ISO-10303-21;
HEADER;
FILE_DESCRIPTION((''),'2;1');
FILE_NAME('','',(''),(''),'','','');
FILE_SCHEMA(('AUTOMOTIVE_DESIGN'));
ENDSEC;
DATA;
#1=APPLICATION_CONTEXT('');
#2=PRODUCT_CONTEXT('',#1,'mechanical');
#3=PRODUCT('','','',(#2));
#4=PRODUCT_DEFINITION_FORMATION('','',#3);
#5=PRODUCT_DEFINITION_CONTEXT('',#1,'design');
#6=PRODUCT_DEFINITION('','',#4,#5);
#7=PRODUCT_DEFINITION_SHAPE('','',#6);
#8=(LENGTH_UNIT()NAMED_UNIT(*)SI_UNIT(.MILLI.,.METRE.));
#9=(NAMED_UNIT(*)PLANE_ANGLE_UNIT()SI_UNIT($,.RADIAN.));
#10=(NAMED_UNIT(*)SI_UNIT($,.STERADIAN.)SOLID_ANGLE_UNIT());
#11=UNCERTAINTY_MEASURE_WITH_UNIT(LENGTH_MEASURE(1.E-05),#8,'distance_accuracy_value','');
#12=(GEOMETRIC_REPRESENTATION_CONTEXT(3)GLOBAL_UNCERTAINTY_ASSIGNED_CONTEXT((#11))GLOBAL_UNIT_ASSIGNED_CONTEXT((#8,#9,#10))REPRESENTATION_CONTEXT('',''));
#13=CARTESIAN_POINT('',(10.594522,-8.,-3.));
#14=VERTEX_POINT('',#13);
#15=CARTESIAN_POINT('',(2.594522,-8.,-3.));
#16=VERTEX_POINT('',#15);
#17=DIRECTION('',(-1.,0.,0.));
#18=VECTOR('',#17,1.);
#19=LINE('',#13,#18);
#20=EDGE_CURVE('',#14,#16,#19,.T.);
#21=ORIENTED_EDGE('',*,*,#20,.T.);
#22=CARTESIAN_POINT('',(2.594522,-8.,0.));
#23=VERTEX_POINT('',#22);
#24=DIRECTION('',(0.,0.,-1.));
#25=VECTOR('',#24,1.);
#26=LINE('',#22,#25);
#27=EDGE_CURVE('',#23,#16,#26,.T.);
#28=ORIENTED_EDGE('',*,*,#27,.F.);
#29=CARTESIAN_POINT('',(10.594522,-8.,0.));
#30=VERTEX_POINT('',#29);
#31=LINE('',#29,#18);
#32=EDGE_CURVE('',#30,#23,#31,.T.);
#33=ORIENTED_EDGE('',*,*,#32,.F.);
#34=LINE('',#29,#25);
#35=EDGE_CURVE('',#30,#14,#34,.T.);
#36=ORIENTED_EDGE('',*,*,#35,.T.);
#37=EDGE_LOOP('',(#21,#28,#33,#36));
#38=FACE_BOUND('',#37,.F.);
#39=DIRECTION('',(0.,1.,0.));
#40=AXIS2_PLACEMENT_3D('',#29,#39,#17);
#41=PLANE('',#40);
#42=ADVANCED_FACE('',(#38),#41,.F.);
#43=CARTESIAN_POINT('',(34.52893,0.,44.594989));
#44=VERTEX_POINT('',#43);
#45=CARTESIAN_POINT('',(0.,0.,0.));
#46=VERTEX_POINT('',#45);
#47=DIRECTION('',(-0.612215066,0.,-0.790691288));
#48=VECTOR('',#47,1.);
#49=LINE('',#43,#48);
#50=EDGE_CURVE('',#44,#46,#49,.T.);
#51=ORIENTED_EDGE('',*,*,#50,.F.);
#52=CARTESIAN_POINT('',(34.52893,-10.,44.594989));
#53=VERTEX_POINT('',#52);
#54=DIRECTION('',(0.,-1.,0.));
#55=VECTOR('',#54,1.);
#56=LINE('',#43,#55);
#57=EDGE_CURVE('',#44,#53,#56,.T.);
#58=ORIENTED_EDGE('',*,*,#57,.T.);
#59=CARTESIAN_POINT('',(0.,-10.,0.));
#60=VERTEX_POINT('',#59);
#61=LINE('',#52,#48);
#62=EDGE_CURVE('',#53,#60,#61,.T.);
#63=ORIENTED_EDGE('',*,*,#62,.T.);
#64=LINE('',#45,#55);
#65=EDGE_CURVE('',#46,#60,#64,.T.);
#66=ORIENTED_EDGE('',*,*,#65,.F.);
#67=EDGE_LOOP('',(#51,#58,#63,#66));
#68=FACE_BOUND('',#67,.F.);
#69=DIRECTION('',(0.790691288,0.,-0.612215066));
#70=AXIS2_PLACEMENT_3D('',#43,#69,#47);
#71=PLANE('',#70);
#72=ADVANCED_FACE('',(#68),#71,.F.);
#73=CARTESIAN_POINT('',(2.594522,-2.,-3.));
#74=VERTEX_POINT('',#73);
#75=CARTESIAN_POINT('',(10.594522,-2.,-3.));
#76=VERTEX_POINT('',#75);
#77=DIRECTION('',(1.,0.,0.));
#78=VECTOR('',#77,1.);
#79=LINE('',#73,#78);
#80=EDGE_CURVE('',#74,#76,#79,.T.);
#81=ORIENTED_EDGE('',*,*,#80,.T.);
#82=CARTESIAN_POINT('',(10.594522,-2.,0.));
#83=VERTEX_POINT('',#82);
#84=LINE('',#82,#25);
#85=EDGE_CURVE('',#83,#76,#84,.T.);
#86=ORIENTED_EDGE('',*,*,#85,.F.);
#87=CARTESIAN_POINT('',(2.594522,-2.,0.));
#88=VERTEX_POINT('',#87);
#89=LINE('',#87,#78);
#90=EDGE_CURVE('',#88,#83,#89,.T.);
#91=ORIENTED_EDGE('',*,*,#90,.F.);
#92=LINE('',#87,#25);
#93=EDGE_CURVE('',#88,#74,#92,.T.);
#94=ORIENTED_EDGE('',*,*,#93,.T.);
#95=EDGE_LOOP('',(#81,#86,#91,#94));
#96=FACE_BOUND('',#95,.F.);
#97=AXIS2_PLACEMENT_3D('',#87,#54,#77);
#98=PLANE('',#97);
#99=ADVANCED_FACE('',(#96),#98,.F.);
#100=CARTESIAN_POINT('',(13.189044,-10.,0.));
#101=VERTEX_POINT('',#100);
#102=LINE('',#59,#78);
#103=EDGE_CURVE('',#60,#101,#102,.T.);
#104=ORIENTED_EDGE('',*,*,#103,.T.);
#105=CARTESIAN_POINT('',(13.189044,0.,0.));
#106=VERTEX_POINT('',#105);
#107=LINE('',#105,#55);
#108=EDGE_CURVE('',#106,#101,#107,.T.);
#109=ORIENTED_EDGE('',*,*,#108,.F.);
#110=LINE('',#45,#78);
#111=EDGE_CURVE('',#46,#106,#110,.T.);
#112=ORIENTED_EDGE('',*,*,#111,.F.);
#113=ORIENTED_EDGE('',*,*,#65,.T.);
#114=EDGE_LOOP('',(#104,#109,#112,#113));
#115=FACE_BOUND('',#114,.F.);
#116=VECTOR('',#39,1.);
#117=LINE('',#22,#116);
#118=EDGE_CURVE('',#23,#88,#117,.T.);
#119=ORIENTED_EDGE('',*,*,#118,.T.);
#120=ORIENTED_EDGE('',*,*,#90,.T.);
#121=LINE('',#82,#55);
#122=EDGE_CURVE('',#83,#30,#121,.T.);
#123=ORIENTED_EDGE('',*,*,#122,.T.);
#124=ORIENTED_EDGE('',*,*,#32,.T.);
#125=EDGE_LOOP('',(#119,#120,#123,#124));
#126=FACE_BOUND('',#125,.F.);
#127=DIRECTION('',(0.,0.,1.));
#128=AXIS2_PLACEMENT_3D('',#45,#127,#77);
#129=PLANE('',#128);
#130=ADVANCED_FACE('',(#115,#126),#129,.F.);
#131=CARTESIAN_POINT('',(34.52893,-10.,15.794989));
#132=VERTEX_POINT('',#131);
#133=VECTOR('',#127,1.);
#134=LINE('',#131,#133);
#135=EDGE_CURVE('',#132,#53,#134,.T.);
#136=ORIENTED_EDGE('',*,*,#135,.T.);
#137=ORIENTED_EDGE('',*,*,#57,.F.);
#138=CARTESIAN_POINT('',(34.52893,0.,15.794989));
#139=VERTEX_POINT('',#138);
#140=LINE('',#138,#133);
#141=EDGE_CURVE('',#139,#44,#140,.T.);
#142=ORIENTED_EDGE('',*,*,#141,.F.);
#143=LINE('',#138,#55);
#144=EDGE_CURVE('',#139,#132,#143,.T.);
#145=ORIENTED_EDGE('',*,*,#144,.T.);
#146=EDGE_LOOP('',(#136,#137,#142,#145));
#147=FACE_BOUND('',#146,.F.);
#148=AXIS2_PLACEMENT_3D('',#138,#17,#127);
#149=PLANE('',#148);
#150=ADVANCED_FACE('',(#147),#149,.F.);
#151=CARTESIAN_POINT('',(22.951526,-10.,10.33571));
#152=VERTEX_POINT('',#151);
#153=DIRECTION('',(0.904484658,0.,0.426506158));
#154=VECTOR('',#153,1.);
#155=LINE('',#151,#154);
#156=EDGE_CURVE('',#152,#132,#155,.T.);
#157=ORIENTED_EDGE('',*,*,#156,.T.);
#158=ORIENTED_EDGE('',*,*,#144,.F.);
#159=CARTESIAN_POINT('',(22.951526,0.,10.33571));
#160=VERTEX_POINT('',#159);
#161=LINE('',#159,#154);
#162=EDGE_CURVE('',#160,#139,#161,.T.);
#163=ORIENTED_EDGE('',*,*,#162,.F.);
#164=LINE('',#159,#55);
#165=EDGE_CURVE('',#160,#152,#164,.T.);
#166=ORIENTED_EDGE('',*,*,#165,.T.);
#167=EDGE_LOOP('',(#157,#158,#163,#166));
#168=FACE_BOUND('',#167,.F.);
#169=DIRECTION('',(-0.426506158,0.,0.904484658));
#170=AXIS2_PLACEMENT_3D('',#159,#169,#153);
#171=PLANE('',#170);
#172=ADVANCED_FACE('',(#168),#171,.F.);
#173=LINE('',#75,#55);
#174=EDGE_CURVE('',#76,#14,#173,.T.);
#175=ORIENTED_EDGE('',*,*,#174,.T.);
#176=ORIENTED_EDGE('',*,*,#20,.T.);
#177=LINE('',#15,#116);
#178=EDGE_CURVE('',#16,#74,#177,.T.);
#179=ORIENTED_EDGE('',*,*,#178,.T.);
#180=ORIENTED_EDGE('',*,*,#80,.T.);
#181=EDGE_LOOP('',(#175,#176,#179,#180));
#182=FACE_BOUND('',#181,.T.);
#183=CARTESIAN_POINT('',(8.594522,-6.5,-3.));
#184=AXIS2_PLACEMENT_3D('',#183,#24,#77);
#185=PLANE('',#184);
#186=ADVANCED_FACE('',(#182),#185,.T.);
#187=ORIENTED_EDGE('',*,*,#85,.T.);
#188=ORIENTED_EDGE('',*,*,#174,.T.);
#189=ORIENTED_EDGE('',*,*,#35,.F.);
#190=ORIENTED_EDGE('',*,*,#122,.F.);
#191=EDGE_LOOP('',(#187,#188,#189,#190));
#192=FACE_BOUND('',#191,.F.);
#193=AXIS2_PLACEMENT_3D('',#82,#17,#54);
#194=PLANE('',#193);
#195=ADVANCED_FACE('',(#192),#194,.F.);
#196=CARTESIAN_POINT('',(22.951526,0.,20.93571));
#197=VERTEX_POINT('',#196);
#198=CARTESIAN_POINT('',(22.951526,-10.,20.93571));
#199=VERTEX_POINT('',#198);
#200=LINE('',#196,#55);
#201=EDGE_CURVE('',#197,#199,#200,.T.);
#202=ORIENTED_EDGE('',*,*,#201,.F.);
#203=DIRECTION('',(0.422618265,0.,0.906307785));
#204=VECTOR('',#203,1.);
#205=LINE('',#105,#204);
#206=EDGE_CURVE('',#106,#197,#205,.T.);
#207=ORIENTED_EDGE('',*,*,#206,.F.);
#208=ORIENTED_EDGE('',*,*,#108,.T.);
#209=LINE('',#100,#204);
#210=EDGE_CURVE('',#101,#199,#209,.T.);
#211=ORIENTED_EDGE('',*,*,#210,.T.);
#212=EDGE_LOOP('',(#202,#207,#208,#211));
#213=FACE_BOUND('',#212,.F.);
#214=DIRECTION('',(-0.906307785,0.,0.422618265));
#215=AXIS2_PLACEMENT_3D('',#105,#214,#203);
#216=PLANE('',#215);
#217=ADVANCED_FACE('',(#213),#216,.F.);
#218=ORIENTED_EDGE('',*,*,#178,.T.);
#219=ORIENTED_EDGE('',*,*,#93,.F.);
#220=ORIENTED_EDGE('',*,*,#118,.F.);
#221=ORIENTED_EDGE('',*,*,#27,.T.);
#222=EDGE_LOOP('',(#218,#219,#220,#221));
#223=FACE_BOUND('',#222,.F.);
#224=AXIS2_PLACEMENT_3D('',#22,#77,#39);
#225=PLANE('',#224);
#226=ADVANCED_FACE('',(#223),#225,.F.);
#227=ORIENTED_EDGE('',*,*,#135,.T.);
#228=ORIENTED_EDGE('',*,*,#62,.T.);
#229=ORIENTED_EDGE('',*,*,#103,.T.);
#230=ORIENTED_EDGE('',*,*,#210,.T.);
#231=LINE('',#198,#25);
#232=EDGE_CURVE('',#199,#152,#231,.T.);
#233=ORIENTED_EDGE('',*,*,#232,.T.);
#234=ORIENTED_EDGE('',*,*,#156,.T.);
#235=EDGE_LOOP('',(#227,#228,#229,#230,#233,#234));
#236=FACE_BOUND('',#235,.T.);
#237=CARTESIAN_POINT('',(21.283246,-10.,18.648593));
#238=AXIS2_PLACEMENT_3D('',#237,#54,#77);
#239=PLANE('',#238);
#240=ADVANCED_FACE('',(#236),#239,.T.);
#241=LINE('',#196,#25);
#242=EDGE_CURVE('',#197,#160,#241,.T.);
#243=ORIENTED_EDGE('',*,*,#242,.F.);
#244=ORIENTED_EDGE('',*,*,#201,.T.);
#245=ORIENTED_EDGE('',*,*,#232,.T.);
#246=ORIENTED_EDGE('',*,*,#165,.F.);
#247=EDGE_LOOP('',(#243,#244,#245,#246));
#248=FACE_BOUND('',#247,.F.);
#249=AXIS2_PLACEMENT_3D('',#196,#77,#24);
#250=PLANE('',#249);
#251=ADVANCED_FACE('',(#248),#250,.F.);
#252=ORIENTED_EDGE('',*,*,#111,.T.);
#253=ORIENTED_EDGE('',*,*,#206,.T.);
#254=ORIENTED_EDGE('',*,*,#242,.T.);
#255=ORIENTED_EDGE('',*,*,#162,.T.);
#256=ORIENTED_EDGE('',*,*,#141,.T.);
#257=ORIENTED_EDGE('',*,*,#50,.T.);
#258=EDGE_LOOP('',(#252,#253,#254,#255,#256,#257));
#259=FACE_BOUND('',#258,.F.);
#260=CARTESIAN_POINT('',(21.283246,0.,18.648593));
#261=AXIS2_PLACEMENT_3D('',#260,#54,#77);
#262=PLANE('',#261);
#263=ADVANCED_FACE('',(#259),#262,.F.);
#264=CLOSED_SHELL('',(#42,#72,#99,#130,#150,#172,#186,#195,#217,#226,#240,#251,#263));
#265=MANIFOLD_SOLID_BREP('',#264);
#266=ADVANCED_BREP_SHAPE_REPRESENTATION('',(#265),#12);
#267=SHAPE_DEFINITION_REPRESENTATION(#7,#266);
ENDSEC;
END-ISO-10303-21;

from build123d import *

# Parameters (mm, degrees)
F1_DEPTH = 10
F2_W     = 4
F2_H     = 3
F3_DEPTH = 3


with BuildPart() as f1:
    # F0 (on Front) → F1 (new body)
    with BuildSketch(Plane.XZ):
        Polygon((34.52893, 44.594989), (0, 0), (13.189044, 0), (22.951526, 20.93571), (22.951526, 10.33571), (34.52893, 15.794989), align=None)
    extrude(amount=F1_DEPTH)

    # F2 (on face) → F3 (join)
    with BuildSketch(Plane(origin=(0, 0, 0), x_dir=(1, 0, 0), z_dir=(0, 0, -1))):
        with Locations((8.594522, 6.5)):
            Rectangle(F2_W, F2_H)
        with Locations((4.594522, 6.5)):
            Rectangle(F2_W, F2_H)
        with Locations((8.594522, 3.5)):
            Rectangle(F2_W, F2_H)
        with Locations((4.594522, 3.5)):
            Rectangle(F2_W, F2_H)
    extrude(amount=F3_DEPTH)


solid = f1.part
